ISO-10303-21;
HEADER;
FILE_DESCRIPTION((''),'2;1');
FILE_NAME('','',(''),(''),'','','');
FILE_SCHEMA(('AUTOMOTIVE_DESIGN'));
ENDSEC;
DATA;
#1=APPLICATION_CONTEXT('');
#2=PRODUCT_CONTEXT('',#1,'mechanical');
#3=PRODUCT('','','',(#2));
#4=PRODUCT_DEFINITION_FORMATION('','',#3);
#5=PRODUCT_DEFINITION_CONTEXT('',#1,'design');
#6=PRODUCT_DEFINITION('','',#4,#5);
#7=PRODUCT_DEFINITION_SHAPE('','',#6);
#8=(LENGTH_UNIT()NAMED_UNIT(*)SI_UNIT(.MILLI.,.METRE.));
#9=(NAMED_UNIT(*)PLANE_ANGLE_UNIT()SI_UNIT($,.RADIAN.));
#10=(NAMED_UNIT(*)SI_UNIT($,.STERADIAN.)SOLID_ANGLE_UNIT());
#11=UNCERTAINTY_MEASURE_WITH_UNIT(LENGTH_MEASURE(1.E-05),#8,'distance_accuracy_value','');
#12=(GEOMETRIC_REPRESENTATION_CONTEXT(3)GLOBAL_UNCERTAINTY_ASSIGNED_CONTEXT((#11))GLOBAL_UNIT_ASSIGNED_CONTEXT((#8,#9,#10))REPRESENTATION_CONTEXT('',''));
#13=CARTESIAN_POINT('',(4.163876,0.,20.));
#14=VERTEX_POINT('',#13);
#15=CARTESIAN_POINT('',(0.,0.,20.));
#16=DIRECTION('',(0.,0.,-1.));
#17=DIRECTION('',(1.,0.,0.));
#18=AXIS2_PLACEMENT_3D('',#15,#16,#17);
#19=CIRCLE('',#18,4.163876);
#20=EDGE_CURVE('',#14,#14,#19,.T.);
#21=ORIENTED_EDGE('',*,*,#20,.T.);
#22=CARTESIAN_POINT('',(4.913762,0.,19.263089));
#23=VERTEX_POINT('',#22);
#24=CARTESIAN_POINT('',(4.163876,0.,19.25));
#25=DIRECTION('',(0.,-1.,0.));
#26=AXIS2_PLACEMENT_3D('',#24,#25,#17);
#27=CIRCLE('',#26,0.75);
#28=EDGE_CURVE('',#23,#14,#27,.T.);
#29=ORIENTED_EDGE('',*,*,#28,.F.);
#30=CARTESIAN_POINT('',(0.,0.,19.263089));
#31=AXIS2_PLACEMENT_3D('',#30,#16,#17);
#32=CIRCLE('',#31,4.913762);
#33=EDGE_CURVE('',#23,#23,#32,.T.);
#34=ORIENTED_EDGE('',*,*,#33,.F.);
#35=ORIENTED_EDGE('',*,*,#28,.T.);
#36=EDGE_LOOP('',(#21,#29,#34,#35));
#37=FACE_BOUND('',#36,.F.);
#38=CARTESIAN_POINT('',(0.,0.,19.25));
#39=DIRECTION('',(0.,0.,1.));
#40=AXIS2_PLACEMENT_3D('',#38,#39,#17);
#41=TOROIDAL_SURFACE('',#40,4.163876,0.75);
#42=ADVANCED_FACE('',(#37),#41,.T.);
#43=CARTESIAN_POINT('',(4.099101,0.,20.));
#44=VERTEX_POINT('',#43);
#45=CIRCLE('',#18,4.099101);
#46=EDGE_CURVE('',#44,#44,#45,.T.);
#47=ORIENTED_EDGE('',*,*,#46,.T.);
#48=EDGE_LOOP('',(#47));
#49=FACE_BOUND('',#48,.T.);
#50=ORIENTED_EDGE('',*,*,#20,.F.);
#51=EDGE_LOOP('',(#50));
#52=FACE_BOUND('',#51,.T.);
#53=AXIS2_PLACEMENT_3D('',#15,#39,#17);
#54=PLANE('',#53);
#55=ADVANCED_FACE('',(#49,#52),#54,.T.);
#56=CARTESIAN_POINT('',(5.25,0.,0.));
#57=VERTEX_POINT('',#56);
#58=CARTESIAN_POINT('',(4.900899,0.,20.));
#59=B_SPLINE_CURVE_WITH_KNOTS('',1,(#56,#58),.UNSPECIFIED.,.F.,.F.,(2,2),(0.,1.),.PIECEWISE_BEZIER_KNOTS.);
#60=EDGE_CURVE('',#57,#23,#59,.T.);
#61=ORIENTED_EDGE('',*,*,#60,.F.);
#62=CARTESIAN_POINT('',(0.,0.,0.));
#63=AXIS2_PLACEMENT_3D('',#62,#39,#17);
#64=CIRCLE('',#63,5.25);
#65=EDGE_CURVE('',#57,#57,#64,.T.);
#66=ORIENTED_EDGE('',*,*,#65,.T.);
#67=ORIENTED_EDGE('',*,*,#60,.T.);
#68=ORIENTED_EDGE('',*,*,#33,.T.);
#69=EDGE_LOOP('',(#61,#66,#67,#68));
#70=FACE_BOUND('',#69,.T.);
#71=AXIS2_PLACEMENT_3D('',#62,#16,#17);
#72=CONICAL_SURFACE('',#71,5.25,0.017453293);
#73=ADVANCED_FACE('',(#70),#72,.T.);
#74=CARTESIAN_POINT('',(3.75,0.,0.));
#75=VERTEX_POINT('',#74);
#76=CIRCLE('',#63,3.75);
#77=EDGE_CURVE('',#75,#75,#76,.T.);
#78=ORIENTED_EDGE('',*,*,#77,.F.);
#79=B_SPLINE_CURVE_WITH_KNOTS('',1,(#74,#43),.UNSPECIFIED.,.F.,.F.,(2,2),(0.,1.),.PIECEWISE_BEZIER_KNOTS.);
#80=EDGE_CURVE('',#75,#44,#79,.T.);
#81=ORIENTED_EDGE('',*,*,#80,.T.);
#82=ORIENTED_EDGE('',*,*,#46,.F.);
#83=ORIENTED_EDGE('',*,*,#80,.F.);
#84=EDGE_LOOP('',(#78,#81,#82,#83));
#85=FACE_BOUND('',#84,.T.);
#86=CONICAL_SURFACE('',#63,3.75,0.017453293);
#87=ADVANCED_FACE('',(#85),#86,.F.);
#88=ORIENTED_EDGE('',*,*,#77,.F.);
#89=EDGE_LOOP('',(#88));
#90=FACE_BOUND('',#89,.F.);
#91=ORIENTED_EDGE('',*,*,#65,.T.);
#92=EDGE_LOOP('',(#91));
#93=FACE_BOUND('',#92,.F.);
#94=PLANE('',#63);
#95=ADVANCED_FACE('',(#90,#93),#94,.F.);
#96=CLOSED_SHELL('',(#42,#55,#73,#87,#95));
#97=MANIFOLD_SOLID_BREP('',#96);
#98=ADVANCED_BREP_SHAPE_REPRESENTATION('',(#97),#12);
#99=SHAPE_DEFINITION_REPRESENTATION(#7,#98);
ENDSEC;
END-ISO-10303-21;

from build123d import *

# Parameters (mm, degrees)
F0_R     = 5.25
F0_R_2   = 3.75
F1_DEPTH = 20
F1_TAPER = 1
F2_R     = 0.75


with BuildPart() as f1:
    # F0 (on Top) → F1 (new body)
    with BuildSketch(Plane.XY):
        Circle(F0_R)
        Circle(F0_R_2, mode=Mode.SUBTRACT)
    extrude(amount=F1_DEPTH, taper=F1_TAPER)

    # F2
    f2_edges = [f1.edges().sort_by_distance(p)[0] for p in [
        (-4.900899, 0, 20),
    ]]
    fillet(f2_edges, radius=F2_R)


solid = f1.part
